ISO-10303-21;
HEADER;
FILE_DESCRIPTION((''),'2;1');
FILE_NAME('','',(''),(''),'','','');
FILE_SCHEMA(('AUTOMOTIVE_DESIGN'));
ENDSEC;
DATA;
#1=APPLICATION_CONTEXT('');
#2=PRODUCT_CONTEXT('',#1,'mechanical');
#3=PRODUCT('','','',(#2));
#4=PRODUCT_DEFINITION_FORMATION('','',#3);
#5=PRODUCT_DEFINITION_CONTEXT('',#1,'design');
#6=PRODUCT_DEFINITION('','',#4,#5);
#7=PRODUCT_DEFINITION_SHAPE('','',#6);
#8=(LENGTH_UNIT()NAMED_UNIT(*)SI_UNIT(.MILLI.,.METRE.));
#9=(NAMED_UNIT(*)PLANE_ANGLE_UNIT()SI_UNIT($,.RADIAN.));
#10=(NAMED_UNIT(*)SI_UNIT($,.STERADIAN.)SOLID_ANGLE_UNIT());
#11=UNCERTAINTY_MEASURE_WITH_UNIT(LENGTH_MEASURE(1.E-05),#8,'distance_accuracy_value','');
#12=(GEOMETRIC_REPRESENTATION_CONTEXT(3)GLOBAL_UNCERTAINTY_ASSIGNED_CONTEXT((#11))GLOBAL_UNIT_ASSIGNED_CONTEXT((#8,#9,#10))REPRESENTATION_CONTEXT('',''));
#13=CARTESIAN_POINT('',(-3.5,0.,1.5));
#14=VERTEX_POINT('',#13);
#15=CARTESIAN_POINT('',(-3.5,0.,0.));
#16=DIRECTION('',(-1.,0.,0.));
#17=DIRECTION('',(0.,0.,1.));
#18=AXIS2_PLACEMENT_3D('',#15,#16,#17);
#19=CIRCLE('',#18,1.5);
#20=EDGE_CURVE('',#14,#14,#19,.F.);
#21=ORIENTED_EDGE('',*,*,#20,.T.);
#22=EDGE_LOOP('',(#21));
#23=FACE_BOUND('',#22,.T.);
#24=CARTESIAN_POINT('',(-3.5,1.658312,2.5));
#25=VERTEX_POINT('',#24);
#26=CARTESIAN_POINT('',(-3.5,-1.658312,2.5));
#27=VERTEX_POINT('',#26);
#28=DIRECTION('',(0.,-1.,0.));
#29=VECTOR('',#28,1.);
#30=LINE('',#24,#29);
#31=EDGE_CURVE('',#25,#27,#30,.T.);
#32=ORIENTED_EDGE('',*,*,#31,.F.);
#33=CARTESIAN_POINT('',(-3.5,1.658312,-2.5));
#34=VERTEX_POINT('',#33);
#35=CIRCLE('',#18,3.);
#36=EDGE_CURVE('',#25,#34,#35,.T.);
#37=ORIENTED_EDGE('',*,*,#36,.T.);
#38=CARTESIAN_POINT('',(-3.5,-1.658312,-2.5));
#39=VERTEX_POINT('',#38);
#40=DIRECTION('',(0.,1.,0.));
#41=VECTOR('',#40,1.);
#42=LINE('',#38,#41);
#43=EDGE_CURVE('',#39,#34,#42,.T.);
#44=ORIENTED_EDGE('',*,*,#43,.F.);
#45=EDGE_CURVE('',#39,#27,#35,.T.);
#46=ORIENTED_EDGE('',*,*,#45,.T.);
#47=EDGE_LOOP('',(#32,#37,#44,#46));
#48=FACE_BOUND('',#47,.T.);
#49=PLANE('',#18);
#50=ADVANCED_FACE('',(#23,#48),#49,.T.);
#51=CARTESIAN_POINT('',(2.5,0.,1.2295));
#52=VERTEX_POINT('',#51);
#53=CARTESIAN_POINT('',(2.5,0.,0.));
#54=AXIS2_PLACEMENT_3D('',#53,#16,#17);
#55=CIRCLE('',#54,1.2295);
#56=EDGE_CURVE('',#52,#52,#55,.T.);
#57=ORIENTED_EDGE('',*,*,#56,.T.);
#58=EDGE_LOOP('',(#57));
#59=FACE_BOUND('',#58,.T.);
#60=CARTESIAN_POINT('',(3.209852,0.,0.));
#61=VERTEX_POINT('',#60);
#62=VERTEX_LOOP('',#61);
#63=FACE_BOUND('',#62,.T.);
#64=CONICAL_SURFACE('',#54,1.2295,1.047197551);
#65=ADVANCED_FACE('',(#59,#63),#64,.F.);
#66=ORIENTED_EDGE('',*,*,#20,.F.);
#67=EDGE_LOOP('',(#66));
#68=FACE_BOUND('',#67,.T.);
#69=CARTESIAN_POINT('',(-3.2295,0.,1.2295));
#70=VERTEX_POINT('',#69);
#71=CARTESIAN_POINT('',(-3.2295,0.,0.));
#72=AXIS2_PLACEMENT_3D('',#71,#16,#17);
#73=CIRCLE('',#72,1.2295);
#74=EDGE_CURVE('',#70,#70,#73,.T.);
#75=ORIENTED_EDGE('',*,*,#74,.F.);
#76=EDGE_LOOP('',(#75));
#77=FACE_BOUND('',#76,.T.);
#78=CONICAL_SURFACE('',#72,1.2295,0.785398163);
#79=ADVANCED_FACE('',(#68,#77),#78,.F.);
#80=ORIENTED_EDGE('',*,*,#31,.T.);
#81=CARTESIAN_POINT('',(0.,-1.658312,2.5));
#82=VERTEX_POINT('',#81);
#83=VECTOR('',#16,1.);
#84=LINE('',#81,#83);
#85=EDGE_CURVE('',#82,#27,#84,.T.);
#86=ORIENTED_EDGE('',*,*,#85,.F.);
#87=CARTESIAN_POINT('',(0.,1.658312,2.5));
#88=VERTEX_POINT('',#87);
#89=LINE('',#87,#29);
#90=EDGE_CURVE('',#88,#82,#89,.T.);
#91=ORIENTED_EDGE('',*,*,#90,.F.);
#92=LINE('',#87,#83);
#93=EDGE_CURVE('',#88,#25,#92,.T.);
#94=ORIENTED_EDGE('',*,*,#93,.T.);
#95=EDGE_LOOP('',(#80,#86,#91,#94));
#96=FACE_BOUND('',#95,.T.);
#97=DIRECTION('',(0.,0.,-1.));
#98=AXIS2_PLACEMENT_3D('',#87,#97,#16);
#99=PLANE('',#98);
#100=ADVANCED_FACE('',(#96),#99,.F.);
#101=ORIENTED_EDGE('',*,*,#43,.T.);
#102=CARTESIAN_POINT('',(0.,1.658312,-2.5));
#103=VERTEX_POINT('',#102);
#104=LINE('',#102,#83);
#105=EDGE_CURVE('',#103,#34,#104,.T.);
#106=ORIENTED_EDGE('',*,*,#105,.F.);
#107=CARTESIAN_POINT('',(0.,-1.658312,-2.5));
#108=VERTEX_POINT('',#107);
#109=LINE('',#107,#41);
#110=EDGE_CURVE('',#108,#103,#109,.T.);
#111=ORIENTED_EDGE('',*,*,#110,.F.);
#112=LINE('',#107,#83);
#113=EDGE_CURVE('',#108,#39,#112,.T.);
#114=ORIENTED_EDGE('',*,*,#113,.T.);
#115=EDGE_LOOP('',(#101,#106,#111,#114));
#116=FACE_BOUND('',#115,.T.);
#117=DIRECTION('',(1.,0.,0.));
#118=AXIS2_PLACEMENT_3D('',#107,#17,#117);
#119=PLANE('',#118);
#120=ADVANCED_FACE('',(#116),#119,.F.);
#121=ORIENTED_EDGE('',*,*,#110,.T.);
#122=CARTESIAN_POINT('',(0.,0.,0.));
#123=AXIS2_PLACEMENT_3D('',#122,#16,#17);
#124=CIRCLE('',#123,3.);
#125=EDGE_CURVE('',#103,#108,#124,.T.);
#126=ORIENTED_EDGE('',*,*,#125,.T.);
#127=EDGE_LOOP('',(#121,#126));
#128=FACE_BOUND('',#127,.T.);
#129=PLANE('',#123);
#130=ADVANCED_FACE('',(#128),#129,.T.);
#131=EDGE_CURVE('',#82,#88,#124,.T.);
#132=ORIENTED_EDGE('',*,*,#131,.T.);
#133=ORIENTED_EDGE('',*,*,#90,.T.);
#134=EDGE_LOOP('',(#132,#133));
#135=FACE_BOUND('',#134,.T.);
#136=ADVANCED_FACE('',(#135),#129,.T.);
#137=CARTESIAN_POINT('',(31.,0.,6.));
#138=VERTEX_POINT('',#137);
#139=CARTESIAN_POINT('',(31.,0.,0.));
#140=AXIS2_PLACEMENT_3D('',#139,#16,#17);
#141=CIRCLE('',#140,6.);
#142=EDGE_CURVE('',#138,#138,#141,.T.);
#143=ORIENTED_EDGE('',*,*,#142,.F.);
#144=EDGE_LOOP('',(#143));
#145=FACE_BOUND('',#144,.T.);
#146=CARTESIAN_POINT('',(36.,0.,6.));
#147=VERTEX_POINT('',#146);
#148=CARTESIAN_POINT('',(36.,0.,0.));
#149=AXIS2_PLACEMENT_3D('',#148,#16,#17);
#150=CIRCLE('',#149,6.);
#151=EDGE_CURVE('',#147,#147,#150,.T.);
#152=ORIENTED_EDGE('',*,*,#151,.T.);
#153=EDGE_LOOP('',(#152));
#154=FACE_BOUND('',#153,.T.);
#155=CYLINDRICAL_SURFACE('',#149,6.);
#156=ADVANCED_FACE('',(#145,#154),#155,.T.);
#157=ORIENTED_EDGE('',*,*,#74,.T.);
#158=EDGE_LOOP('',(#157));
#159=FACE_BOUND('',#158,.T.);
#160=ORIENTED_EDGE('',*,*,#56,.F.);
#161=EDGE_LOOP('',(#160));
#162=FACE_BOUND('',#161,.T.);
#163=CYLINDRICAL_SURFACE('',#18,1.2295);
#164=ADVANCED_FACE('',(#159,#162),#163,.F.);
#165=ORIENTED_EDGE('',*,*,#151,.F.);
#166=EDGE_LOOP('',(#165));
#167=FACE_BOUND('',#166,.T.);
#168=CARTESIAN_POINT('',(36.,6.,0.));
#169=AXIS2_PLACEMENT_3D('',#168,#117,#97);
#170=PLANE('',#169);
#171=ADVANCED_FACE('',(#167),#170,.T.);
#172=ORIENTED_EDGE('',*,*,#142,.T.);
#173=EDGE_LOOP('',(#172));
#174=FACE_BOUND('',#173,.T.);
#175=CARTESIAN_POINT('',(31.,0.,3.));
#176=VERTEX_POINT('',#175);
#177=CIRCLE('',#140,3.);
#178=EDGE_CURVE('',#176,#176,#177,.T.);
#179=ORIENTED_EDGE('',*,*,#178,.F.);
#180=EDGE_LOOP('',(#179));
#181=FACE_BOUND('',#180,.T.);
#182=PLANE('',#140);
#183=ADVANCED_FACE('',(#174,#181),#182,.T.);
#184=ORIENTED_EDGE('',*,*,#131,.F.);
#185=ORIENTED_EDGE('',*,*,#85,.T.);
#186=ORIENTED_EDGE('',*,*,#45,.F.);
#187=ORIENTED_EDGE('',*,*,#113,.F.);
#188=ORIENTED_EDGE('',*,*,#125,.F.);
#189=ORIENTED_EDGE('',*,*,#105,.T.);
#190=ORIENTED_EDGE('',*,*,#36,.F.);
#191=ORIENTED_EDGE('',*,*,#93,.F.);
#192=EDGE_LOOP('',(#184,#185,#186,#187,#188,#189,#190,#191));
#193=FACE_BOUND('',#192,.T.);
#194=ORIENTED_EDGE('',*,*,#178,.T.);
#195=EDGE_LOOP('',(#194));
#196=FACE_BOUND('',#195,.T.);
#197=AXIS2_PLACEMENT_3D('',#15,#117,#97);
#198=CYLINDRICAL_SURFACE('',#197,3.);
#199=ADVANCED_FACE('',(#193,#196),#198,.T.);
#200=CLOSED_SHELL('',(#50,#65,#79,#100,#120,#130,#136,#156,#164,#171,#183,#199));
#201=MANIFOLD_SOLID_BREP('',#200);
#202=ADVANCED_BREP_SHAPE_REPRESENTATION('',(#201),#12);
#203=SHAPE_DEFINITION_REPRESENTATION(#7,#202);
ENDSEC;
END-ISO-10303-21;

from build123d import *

# Parameters (mm, degrees)
SKETCH1_W                = 5
SKETCH1_H                = 6
SKETCH2_R                = 3
BOSS_EXTRUDE1_DEPTH      = 34.5
CUT_EXTRUDE1_DEPTH       = 3.5
CUT_EXTRUDE2_DEPTH       = 3.5
M2_CLEARANCE_HOLE1_D     = 2.459
M2_CLEARANCE_HOLE1_DEPTH = 6
M2_CLEARANCE_HOLE1_TIP   = 0.709852156
CHAMFER1_SIZE            = 0.2705


with BuildPart() as part:
    # Sketch1 → Revolve1 (revolve)
    with BuildSketch(Plane(origin=(0, 0, 0), x_dir=(-1, 0, 0), z_dir=(0, 0, -1))):
        with Locations((-33.5, 3)):
            Rectangle(SKETCH1_W, SKETCH1_H)
    revolve(axis=Axis((36, 0, 0), (-1, 0, 0)))

    # Sketch2 → Boss-Extrude1 (add)
    with BuildSketch(Plane.ZY.offset(-31)):
        Circle(SKETCH2_R)
    extrude(amount=BOSS_EXTRUDE1_DEPTH)

    # Sketch3 → Cut-Extrude1 (cut)
    with BuildSketch(Plane.ZY.offset(3.5)):
        with BuildLine():
            Line((-2.5, -1.658312395), (-2.5, 1.658312395))
            ThreePointArc((-2.5, 1.658312395), (-3, 0), (-2.5, -1.658312395))
        make_face()
    extrude(amount=-CUT_EXTRUDE1_DEPTH, mode=Mode.SUBTRACT)

    # Sketch4 → Cut-Extrude2 (cut)
    with BuildSketch(Plane.ZY.offset(3.5)):
        with BuildLine():
            Line((2.5, 1.658312395), (2.5, -1.658312395))
            ThreePointArc((2.5, -1.658312395), (3, 0), (2.5, 1.658312395))
        make_face()
    extrude(amount=-CUT_EXTRUDE2_DEPTH, mode=Mode.SUBTRACT)

    # M2 Clearance Hole1
    with Locations(Plane.ZY.offset(3.5)):
        with Locations((0, 0)):
            Hole(M2_CLEARANCE_HOLE1_D / 2, depth=M2_CLEARANCE_HOLE1_DEPTH)
            with Locations((0, 0, -(M2_CLEARANCE_HOLE1_DEPTH + M2_CLEARANCE_HOLE1_TIP / 2))):  # 120° drill point
                Cone(0, M2_CLEARANCE_HOLE1_D / 2, M2_CLEARANCE_HOLE1_TIP, mode=Mode.SUBTRACT)

    # Chamfer1
    chamfer1_edges = [part.edges().sort_by_distance(p)[0] for p in [
        (-3.5, 0, 1.2295),
    ]]
    chamfer(chamfer1_edges, length=CHAMFER1_SIZE)


solid = part.part
